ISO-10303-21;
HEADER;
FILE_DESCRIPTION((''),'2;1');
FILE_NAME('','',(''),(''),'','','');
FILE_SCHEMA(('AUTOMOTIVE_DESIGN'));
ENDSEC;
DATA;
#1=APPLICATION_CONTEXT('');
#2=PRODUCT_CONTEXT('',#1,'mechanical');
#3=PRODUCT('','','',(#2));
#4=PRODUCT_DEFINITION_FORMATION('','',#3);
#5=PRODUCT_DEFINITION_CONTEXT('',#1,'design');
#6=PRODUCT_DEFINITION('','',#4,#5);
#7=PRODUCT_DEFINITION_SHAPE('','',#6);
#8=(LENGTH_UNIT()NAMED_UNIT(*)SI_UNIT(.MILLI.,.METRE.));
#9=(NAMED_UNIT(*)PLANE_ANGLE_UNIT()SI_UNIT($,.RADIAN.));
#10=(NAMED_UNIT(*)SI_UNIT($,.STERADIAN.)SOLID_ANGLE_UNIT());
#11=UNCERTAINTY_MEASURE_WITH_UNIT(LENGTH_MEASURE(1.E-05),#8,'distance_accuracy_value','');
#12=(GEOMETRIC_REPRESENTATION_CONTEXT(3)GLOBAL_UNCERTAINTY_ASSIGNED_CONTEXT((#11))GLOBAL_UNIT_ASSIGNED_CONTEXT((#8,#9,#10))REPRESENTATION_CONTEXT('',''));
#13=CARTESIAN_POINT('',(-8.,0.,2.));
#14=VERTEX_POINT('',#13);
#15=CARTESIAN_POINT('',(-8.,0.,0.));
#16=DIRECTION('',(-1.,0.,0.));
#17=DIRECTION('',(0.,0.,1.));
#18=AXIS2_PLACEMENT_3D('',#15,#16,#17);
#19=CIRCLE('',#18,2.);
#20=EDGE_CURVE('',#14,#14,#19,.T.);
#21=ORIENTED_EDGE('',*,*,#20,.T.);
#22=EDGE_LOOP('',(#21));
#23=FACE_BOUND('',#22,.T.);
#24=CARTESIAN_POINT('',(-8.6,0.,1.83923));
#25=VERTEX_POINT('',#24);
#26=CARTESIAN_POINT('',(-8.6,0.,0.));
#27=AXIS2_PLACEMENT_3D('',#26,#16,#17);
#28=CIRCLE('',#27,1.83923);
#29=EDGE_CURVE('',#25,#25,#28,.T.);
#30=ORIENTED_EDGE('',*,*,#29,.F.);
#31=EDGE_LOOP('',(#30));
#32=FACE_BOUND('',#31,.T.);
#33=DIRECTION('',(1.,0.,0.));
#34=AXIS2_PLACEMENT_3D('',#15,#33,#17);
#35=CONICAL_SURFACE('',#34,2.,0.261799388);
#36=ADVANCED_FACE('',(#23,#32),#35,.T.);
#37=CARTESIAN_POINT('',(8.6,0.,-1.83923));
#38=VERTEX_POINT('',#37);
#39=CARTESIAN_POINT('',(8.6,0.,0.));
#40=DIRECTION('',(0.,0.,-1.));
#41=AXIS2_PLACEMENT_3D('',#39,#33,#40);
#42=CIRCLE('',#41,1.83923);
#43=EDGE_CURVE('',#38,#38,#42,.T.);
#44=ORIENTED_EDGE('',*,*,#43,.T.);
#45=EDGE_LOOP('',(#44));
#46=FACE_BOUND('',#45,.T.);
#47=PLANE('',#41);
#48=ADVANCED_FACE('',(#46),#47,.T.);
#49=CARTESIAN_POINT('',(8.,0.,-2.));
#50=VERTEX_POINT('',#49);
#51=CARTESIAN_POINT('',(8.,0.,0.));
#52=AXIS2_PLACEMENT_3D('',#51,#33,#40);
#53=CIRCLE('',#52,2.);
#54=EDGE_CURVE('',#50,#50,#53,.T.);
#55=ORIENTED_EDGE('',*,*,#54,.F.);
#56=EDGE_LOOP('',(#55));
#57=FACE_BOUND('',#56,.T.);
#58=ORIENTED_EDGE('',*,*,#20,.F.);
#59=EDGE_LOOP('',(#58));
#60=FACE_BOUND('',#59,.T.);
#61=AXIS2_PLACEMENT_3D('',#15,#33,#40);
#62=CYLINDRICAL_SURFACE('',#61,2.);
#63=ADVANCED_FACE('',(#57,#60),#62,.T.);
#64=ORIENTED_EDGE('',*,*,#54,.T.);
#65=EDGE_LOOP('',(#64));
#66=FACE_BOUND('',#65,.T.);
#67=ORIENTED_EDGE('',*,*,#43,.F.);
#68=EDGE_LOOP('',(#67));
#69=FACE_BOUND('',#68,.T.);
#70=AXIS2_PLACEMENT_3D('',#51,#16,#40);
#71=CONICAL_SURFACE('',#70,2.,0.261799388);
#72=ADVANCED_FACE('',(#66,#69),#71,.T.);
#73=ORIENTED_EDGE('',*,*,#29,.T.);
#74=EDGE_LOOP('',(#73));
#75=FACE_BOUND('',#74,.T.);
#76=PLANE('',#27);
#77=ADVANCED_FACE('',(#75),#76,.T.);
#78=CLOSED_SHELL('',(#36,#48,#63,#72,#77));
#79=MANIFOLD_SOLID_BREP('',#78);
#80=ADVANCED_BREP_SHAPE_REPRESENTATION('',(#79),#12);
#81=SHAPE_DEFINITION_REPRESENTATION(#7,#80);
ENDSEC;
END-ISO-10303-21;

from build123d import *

# Parameters (mm, degrees)
SKETCH2_R           = 2
EXTRUDE1_DEPTH      = 8
EXTRUDE1_DEPTH_BACK = 8
SKETCH3_R           = 2
EXTRUDE2_DEPTH      = 0.6
EXTRUDE2_TAPER      = 15
SKETCH4_R           = 2
EXTRUDE3_DEPTH      = 0.6
EXTRUDE3_TAPER      = 15


with BuildPart() as part:
    # Sketch2 → Extrude1 (new body, two sides)
    with BuildSketch(Plane(origin=(0, 0, 0), x_dir=(0, 0, -1), z_dir=(1, 0, 0))) as extrude1_sk:
        Circle(SKETCH2_R)
    extrude(amount=EXTRUDE1_DEPTH)
    extrude(extrude1_sk.sketch, amount=-EXTRUDE1_DEPTH_BACK)

    # Sketch3 → Extrude2 (add)
    with BuildSketch(Plane(origin=(8, 0, 0), x_dir=(0, 0, -1), z_dir=(1, 0, 0))):
        Circle(SKETCH3_R)
    extrude(amount=EXTRUDE2_DEPTH, taper=EXTRUDE2_TAPER)

    # Sketch4 → Extrude3 (add)
    with BuildSketch(Plane.ZY.offset(8)):
        Circle(SKETCH4_R)
    extrude(amount=EXTRUDE3_DEPTH, taper=EXTRUDE3_TAPER)


solid = part.part
